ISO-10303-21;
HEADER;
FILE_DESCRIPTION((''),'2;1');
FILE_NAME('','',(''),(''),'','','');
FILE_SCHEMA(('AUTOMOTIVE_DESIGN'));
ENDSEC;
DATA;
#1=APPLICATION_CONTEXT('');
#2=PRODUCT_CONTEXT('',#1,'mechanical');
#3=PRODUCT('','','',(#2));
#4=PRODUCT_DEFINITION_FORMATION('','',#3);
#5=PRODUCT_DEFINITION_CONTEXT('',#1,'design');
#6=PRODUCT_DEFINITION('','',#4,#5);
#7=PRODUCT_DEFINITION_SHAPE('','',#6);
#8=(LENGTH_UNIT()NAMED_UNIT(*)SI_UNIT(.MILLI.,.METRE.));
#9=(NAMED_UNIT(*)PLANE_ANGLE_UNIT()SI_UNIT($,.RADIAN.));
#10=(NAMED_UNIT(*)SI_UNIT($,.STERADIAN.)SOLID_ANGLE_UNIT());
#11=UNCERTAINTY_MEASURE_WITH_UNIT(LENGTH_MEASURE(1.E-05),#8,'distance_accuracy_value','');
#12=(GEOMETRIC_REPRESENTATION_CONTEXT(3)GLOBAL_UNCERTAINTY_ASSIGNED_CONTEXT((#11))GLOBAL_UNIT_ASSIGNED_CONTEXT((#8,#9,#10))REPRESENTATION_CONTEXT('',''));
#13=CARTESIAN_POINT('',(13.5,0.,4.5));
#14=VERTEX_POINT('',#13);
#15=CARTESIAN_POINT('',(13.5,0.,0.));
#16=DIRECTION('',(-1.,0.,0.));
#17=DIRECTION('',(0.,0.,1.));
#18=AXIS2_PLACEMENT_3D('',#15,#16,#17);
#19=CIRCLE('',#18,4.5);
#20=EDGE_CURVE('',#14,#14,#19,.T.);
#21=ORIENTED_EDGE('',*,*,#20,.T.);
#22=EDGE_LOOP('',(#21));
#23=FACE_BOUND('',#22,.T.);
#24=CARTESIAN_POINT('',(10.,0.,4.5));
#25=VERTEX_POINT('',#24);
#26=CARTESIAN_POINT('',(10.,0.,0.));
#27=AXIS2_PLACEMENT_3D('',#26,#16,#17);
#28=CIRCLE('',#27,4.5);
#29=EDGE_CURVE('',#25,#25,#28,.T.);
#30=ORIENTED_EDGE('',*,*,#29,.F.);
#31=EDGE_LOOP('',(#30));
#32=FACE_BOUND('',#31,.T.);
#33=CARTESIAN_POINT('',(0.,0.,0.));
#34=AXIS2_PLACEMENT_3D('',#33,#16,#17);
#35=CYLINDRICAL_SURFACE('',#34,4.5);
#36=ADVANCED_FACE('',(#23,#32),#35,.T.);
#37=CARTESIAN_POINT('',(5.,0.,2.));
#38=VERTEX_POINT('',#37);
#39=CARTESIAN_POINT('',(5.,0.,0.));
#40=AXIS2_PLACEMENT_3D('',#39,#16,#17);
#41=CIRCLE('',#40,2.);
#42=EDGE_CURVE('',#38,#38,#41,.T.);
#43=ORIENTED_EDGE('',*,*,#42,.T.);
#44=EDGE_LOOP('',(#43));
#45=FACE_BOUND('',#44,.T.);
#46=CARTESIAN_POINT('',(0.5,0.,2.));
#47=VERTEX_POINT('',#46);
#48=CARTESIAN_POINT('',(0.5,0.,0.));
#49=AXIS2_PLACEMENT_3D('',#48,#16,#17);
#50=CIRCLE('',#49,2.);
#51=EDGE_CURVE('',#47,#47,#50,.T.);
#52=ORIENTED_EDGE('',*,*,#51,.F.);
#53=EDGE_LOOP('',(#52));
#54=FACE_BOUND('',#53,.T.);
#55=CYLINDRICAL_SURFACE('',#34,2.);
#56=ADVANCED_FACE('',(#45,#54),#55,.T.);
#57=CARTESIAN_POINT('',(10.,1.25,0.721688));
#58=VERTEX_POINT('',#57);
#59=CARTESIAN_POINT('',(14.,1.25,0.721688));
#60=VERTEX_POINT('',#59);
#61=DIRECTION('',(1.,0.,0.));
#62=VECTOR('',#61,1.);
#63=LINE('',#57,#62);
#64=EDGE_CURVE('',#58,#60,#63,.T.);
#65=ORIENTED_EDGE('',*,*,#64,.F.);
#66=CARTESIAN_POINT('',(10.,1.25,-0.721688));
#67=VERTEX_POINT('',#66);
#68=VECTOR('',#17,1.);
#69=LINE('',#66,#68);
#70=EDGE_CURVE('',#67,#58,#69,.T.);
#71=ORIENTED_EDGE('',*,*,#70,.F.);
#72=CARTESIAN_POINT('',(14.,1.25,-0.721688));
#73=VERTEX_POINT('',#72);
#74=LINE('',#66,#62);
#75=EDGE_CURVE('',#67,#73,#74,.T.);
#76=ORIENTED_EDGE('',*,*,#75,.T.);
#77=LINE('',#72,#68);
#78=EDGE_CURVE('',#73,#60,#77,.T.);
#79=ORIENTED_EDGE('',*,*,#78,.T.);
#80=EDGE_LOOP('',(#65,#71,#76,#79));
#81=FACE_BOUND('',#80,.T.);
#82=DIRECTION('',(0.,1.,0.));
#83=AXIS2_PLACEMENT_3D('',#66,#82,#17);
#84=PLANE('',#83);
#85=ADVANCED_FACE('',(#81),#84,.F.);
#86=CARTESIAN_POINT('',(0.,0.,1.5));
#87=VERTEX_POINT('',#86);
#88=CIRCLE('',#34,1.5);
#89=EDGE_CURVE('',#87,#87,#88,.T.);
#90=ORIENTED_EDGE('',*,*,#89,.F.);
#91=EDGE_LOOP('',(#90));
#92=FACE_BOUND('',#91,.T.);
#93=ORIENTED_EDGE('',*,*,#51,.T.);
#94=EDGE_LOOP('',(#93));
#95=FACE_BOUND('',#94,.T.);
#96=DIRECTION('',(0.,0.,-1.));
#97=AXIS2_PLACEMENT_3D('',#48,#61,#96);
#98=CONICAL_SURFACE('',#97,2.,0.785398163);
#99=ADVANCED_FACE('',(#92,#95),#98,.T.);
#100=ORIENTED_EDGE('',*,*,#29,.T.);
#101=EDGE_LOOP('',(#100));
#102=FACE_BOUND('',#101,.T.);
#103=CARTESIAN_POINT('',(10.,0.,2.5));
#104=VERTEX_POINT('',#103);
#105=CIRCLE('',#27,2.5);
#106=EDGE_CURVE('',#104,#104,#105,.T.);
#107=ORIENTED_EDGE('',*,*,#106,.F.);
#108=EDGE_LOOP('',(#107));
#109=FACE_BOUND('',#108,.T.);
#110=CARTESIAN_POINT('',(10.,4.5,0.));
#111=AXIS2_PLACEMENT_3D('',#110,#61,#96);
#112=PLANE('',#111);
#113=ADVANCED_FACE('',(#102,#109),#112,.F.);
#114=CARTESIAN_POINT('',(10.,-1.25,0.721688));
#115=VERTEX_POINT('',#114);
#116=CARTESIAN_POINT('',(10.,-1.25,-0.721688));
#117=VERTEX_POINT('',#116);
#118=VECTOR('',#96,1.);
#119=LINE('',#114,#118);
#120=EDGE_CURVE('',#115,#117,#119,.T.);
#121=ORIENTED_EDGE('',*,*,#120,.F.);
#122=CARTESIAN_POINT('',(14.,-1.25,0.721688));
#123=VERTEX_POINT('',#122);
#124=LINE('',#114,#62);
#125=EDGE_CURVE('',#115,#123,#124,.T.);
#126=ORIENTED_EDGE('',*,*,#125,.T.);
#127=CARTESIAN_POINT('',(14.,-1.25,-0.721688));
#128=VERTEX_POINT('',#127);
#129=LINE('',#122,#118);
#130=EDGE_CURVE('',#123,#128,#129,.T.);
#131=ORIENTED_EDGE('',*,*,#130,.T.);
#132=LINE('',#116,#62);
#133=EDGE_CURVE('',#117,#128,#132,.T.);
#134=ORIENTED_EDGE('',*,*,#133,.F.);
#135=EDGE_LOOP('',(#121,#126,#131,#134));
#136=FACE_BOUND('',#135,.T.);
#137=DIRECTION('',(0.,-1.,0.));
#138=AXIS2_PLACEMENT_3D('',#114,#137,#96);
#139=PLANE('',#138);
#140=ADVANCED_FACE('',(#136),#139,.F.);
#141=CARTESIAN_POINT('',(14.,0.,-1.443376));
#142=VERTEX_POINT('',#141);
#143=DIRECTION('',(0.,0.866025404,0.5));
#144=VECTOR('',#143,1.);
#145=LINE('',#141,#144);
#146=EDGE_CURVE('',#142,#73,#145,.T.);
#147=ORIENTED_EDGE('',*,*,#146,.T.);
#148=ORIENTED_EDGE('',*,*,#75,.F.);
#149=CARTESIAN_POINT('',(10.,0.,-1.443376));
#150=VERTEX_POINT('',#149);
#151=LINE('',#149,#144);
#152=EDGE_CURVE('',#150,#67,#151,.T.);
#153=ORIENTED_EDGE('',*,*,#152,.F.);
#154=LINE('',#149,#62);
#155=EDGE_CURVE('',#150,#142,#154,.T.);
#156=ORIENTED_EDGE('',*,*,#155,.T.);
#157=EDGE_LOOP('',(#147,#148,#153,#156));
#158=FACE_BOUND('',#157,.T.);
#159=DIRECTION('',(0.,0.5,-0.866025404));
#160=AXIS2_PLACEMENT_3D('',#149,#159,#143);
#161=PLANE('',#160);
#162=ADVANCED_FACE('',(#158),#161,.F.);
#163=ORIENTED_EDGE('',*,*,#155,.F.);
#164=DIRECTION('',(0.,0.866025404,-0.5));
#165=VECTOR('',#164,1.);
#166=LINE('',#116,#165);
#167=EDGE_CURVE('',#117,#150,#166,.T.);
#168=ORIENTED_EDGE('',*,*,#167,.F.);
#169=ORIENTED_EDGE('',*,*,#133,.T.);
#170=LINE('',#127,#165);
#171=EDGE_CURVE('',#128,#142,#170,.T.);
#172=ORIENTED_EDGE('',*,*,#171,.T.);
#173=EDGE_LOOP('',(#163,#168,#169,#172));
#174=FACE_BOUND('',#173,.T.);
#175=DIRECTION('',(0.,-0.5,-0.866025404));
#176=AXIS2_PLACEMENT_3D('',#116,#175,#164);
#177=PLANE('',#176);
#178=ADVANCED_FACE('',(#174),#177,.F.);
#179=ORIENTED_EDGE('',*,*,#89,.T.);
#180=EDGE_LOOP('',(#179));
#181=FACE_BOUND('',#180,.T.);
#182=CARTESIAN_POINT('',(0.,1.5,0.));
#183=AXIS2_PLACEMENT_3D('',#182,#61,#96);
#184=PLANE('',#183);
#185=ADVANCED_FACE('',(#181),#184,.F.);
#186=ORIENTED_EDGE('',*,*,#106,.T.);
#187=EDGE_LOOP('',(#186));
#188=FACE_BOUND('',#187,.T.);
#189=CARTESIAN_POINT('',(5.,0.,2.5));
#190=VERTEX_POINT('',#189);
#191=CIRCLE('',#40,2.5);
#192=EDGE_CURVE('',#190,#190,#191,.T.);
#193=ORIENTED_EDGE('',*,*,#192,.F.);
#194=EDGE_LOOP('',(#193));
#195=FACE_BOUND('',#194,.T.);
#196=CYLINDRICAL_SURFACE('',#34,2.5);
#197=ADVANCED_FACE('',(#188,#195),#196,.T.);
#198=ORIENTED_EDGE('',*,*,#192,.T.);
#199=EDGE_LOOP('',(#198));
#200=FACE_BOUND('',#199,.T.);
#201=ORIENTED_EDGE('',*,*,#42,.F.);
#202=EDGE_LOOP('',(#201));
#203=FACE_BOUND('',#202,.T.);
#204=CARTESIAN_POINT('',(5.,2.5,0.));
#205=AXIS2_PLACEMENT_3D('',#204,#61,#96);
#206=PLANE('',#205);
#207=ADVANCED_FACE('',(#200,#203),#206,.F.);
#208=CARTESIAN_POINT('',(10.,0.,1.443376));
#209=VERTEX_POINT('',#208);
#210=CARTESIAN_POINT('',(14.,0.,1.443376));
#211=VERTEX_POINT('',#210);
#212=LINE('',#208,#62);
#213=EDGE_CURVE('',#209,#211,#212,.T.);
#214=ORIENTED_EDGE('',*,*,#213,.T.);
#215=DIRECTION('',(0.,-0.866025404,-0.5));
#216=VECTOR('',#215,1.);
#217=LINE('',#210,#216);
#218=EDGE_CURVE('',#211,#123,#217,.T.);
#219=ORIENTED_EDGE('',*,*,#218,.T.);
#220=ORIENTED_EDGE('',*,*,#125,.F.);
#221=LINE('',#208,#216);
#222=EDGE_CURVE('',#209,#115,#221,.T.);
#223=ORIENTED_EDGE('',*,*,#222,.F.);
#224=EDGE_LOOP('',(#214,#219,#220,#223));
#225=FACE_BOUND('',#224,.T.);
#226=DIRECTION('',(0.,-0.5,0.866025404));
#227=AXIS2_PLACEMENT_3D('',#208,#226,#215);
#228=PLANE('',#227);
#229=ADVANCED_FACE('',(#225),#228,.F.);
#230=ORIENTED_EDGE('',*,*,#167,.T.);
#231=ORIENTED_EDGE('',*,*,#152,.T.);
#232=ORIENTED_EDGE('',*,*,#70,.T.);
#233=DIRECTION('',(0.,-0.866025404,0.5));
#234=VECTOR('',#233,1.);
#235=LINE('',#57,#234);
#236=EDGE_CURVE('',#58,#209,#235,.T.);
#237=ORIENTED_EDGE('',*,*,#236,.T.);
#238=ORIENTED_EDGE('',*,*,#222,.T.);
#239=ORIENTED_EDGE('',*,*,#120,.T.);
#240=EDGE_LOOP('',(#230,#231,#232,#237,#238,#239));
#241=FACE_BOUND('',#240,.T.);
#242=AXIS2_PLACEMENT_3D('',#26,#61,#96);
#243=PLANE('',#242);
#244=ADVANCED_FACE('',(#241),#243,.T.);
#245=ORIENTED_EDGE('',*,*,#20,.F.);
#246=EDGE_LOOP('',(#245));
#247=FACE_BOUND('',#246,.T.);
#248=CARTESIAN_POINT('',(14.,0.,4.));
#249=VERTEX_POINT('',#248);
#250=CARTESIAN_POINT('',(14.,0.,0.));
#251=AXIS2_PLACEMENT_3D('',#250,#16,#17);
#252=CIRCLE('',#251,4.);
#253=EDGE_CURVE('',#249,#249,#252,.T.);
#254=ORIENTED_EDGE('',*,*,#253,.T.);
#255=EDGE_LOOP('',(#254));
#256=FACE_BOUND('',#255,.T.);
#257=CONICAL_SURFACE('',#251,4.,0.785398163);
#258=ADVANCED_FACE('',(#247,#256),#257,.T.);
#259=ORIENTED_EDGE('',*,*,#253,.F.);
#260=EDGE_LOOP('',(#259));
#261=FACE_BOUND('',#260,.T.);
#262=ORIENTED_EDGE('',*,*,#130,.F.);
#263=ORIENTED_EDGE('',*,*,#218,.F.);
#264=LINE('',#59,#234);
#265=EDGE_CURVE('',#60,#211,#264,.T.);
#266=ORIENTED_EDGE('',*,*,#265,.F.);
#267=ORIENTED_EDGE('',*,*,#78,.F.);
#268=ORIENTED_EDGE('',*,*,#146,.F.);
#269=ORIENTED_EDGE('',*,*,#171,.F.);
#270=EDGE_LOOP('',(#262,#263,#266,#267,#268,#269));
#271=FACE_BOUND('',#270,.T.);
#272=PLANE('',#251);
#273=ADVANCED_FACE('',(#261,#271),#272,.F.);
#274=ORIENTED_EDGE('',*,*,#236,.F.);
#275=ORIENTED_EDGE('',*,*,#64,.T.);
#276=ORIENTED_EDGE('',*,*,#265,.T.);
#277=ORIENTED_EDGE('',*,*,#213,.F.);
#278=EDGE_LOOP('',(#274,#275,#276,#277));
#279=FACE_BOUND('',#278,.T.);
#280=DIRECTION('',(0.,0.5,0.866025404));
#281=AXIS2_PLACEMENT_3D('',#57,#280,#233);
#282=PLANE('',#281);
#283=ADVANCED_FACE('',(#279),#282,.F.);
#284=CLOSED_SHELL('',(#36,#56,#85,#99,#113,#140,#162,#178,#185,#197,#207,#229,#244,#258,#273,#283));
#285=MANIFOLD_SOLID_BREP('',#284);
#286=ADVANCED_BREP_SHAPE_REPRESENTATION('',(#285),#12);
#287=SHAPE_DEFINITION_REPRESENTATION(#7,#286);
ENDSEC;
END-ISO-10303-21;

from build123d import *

# Parameters (mm, degrees)
CUT_EXTRUDE1_DEPTH = 4


with BuildPart() as part:
    # Sketch1 → Revolve1 (revolve)
    with BuildSketch(Plane.XY):
        Polygon((0, 0), (14, 0), (14, 4), (13.5, 4.5), (10, 4.5), (10, 2.5), (5, 2.5), (5, 2), (0.5, 2), (0, 1.5), align=None)
    revolve(axis=Axis((0, 0, 0), (1, 0, 0)))

    # Sketch2 → Cut-Extrude1 (cut)
    with BuildSketch(Plane(origin=(14, 0, 0), x_dir=(0, 0, -1), z_dir=(1, 0, 0))):
        Polygon((1.443375673, 0), (0.721687836, 1.25), (-0.721687836, 1.25), (-1.443375673, 0), (-0.721687836, -1.25), (0.721687836, -1.25), align=None)
    extrude(amount=-CUT_EXTRUDE1_DEPTH, mode=Mode.SUBTRACT)


solid = part.part
